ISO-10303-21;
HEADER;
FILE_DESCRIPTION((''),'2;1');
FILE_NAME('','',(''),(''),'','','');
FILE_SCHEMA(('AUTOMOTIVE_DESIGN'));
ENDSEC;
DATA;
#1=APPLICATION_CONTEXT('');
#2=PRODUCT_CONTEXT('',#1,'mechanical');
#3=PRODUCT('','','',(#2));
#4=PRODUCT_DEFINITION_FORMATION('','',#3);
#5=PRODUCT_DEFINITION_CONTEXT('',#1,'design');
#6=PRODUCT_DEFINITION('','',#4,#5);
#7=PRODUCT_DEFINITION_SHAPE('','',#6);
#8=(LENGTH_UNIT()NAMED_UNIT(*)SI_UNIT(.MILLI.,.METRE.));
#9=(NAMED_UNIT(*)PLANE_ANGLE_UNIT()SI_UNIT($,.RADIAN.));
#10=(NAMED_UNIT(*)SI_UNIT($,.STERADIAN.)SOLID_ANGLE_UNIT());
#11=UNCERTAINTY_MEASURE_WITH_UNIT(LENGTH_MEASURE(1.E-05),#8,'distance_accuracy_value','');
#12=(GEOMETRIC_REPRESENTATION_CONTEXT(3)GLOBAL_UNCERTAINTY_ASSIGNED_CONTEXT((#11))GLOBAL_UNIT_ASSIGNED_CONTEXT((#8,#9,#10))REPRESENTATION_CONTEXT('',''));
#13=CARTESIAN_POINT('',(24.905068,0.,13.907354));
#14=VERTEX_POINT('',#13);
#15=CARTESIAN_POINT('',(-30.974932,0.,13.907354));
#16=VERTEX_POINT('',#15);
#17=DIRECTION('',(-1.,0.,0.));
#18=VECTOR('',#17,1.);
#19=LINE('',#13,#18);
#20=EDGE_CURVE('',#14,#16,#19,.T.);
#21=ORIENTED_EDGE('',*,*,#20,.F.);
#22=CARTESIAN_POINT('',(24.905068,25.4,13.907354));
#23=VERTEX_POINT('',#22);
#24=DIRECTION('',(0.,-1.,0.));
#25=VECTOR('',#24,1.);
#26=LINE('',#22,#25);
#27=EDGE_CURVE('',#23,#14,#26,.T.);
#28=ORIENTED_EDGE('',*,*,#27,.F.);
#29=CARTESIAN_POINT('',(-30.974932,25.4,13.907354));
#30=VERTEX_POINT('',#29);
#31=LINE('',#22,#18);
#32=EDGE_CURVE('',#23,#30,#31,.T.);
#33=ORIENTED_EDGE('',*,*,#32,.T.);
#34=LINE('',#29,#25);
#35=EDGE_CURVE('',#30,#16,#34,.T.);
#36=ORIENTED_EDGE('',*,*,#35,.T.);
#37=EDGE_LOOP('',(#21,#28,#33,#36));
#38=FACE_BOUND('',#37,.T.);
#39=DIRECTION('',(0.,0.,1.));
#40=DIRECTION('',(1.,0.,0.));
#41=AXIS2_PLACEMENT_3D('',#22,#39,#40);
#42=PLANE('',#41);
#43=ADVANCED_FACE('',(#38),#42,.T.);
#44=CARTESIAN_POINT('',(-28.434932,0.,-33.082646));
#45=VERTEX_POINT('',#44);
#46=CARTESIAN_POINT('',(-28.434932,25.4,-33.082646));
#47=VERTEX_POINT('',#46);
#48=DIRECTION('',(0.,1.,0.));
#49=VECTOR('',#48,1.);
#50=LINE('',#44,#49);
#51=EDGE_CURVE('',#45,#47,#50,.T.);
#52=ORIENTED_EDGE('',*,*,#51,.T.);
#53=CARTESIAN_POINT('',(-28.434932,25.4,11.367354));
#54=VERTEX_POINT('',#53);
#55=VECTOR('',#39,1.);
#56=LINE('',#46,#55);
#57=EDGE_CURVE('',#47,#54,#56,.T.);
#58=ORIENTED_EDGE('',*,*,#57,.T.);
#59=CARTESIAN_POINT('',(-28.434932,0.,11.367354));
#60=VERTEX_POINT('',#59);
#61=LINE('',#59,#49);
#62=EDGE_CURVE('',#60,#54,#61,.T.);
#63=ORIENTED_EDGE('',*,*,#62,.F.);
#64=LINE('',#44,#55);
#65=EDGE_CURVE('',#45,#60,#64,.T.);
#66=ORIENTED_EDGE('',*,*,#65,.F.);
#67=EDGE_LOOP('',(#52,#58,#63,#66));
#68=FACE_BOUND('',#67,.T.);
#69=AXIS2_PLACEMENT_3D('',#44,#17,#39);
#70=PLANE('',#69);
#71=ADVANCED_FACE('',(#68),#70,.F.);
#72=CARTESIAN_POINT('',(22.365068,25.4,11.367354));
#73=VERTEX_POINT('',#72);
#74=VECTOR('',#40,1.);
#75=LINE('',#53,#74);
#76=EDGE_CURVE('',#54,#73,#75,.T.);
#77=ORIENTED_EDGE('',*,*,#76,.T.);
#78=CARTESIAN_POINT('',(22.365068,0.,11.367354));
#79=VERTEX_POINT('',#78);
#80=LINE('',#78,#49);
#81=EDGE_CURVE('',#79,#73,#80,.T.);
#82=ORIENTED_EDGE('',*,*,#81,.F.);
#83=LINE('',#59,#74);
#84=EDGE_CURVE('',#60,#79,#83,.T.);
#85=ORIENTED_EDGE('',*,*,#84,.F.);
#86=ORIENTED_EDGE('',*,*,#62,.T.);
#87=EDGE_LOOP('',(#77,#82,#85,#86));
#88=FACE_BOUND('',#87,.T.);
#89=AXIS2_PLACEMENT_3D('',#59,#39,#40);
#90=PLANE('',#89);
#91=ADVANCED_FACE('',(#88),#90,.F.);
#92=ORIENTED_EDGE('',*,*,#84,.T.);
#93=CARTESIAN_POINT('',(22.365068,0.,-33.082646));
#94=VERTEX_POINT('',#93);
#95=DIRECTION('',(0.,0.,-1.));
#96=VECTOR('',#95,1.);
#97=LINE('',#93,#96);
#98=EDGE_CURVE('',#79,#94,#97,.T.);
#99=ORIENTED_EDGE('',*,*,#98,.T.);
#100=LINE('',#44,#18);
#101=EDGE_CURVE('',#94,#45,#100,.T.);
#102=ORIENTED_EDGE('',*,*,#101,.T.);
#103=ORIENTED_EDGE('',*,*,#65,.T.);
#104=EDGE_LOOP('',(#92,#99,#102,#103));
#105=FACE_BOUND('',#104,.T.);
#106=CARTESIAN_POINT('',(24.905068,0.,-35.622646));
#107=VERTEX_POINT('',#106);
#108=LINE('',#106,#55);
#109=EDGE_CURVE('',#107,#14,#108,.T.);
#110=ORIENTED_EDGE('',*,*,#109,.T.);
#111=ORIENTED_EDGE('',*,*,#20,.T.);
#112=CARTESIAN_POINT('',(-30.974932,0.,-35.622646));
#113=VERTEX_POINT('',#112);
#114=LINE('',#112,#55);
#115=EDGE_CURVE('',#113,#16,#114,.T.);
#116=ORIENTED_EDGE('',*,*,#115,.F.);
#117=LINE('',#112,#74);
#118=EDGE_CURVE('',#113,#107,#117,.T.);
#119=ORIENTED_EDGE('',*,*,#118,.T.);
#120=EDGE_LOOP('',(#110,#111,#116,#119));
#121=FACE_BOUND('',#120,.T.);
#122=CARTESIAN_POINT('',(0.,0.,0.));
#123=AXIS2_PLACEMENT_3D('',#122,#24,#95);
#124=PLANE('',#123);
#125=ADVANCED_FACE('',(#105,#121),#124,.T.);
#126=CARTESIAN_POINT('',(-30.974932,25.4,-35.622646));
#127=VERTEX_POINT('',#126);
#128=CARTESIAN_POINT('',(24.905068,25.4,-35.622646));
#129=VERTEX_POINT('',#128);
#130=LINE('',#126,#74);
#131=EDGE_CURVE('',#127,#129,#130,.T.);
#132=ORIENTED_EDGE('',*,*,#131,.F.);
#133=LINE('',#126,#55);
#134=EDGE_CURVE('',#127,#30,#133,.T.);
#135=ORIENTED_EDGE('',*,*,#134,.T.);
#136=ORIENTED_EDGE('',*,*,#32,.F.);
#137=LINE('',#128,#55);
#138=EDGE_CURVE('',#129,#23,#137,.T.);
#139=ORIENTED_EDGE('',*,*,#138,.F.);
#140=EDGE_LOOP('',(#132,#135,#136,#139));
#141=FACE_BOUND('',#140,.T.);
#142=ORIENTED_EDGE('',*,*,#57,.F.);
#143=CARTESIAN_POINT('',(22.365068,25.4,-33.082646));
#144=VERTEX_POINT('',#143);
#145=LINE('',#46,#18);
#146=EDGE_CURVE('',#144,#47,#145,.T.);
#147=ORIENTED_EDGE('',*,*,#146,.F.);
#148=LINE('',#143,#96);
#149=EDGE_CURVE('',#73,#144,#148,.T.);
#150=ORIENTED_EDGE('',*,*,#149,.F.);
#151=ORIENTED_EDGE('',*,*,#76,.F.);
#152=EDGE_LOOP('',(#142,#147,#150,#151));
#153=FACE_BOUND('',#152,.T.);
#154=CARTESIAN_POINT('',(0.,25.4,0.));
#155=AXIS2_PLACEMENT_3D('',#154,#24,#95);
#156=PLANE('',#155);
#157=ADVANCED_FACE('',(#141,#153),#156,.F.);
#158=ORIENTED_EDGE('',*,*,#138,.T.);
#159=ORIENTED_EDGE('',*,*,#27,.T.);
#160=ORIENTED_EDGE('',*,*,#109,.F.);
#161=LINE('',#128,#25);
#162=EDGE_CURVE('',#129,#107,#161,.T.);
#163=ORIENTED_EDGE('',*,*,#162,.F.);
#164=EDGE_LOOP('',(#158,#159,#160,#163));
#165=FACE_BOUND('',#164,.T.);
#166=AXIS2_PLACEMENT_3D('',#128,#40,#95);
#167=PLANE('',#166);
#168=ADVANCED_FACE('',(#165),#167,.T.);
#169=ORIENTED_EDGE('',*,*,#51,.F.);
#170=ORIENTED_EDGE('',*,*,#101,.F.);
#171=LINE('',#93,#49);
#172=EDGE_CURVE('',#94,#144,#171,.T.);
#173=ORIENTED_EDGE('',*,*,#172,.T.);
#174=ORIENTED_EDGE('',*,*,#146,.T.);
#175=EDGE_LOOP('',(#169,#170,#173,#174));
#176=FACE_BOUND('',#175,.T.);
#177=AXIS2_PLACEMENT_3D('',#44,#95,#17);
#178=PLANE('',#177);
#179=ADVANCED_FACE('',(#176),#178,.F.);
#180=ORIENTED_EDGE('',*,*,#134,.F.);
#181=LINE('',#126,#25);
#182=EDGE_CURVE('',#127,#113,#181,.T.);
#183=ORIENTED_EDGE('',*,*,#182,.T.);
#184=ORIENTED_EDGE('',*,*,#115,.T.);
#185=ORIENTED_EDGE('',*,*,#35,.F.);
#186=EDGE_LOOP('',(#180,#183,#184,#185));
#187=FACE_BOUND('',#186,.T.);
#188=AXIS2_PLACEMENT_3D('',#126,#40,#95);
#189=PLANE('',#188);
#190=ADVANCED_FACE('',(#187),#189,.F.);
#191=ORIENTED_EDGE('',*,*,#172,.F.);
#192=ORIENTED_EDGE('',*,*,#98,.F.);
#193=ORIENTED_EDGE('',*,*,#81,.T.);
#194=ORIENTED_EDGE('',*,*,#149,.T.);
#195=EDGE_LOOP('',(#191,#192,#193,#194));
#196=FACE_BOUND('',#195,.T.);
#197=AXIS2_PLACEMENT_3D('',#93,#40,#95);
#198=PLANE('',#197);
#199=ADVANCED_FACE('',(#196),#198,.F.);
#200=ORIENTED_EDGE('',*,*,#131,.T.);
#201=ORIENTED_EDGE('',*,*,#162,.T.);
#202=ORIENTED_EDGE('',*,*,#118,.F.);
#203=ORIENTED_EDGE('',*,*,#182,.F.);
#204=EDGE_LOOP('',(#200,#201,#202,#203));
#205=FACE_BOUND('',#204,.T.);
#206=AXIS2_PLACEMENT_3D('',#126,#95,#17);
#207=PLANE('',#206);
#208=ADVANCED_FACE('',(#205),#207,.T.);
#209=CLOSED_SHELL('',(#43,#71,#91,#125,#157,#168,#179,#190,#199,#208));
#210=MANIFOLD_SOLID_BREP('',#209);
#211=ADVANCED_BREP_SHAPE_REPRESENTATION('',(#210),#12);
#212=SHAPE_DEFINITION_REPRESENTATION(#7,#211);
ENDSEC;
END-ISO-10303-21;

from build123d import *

# Parameters (mm, degrees)
SKETCH1_W           = 55.88
SKETCH1_H           = 49.53
BOSS_EXTRUDE1_DEPTH = 25.4
SKETCH2_W           = 50.8
SKETCH2_H           = 44.45
CUT_EXTRUDE1_DEPTH  = 25.4


with BuildPart() as part:
    # Sketch1 → Boss-Extrude1 (new body)
    with BuildSketch(Plane(origin=(0, 0, 0), x_dir=(1, 0, 0), z_dir=(0, 1, 0))):
        with Locations((-3.034932129, 10.85764574)):
            Rectangle(SKETCH1_W, SKETCH1_H)
    extrude(amount=BOSS_EXTRUDE1_DEPTH)

    # Sketch2 → Cut-Extrude1 (cut)
    with BuildSketch(Plane(origin=(0, 25.4, 0), x_dir=(1, 0, 0), z_dir=(0, 1, 0))):
        with Locations((-3.034932129, 10.85764574)):
            Rectangle(SKETCH2_W, SKETCH2_H)
    extrude(amount=-CUT_EXTRUDE1_DEPTH, mode=Mode.SUBTRACT)


solid = part.part
